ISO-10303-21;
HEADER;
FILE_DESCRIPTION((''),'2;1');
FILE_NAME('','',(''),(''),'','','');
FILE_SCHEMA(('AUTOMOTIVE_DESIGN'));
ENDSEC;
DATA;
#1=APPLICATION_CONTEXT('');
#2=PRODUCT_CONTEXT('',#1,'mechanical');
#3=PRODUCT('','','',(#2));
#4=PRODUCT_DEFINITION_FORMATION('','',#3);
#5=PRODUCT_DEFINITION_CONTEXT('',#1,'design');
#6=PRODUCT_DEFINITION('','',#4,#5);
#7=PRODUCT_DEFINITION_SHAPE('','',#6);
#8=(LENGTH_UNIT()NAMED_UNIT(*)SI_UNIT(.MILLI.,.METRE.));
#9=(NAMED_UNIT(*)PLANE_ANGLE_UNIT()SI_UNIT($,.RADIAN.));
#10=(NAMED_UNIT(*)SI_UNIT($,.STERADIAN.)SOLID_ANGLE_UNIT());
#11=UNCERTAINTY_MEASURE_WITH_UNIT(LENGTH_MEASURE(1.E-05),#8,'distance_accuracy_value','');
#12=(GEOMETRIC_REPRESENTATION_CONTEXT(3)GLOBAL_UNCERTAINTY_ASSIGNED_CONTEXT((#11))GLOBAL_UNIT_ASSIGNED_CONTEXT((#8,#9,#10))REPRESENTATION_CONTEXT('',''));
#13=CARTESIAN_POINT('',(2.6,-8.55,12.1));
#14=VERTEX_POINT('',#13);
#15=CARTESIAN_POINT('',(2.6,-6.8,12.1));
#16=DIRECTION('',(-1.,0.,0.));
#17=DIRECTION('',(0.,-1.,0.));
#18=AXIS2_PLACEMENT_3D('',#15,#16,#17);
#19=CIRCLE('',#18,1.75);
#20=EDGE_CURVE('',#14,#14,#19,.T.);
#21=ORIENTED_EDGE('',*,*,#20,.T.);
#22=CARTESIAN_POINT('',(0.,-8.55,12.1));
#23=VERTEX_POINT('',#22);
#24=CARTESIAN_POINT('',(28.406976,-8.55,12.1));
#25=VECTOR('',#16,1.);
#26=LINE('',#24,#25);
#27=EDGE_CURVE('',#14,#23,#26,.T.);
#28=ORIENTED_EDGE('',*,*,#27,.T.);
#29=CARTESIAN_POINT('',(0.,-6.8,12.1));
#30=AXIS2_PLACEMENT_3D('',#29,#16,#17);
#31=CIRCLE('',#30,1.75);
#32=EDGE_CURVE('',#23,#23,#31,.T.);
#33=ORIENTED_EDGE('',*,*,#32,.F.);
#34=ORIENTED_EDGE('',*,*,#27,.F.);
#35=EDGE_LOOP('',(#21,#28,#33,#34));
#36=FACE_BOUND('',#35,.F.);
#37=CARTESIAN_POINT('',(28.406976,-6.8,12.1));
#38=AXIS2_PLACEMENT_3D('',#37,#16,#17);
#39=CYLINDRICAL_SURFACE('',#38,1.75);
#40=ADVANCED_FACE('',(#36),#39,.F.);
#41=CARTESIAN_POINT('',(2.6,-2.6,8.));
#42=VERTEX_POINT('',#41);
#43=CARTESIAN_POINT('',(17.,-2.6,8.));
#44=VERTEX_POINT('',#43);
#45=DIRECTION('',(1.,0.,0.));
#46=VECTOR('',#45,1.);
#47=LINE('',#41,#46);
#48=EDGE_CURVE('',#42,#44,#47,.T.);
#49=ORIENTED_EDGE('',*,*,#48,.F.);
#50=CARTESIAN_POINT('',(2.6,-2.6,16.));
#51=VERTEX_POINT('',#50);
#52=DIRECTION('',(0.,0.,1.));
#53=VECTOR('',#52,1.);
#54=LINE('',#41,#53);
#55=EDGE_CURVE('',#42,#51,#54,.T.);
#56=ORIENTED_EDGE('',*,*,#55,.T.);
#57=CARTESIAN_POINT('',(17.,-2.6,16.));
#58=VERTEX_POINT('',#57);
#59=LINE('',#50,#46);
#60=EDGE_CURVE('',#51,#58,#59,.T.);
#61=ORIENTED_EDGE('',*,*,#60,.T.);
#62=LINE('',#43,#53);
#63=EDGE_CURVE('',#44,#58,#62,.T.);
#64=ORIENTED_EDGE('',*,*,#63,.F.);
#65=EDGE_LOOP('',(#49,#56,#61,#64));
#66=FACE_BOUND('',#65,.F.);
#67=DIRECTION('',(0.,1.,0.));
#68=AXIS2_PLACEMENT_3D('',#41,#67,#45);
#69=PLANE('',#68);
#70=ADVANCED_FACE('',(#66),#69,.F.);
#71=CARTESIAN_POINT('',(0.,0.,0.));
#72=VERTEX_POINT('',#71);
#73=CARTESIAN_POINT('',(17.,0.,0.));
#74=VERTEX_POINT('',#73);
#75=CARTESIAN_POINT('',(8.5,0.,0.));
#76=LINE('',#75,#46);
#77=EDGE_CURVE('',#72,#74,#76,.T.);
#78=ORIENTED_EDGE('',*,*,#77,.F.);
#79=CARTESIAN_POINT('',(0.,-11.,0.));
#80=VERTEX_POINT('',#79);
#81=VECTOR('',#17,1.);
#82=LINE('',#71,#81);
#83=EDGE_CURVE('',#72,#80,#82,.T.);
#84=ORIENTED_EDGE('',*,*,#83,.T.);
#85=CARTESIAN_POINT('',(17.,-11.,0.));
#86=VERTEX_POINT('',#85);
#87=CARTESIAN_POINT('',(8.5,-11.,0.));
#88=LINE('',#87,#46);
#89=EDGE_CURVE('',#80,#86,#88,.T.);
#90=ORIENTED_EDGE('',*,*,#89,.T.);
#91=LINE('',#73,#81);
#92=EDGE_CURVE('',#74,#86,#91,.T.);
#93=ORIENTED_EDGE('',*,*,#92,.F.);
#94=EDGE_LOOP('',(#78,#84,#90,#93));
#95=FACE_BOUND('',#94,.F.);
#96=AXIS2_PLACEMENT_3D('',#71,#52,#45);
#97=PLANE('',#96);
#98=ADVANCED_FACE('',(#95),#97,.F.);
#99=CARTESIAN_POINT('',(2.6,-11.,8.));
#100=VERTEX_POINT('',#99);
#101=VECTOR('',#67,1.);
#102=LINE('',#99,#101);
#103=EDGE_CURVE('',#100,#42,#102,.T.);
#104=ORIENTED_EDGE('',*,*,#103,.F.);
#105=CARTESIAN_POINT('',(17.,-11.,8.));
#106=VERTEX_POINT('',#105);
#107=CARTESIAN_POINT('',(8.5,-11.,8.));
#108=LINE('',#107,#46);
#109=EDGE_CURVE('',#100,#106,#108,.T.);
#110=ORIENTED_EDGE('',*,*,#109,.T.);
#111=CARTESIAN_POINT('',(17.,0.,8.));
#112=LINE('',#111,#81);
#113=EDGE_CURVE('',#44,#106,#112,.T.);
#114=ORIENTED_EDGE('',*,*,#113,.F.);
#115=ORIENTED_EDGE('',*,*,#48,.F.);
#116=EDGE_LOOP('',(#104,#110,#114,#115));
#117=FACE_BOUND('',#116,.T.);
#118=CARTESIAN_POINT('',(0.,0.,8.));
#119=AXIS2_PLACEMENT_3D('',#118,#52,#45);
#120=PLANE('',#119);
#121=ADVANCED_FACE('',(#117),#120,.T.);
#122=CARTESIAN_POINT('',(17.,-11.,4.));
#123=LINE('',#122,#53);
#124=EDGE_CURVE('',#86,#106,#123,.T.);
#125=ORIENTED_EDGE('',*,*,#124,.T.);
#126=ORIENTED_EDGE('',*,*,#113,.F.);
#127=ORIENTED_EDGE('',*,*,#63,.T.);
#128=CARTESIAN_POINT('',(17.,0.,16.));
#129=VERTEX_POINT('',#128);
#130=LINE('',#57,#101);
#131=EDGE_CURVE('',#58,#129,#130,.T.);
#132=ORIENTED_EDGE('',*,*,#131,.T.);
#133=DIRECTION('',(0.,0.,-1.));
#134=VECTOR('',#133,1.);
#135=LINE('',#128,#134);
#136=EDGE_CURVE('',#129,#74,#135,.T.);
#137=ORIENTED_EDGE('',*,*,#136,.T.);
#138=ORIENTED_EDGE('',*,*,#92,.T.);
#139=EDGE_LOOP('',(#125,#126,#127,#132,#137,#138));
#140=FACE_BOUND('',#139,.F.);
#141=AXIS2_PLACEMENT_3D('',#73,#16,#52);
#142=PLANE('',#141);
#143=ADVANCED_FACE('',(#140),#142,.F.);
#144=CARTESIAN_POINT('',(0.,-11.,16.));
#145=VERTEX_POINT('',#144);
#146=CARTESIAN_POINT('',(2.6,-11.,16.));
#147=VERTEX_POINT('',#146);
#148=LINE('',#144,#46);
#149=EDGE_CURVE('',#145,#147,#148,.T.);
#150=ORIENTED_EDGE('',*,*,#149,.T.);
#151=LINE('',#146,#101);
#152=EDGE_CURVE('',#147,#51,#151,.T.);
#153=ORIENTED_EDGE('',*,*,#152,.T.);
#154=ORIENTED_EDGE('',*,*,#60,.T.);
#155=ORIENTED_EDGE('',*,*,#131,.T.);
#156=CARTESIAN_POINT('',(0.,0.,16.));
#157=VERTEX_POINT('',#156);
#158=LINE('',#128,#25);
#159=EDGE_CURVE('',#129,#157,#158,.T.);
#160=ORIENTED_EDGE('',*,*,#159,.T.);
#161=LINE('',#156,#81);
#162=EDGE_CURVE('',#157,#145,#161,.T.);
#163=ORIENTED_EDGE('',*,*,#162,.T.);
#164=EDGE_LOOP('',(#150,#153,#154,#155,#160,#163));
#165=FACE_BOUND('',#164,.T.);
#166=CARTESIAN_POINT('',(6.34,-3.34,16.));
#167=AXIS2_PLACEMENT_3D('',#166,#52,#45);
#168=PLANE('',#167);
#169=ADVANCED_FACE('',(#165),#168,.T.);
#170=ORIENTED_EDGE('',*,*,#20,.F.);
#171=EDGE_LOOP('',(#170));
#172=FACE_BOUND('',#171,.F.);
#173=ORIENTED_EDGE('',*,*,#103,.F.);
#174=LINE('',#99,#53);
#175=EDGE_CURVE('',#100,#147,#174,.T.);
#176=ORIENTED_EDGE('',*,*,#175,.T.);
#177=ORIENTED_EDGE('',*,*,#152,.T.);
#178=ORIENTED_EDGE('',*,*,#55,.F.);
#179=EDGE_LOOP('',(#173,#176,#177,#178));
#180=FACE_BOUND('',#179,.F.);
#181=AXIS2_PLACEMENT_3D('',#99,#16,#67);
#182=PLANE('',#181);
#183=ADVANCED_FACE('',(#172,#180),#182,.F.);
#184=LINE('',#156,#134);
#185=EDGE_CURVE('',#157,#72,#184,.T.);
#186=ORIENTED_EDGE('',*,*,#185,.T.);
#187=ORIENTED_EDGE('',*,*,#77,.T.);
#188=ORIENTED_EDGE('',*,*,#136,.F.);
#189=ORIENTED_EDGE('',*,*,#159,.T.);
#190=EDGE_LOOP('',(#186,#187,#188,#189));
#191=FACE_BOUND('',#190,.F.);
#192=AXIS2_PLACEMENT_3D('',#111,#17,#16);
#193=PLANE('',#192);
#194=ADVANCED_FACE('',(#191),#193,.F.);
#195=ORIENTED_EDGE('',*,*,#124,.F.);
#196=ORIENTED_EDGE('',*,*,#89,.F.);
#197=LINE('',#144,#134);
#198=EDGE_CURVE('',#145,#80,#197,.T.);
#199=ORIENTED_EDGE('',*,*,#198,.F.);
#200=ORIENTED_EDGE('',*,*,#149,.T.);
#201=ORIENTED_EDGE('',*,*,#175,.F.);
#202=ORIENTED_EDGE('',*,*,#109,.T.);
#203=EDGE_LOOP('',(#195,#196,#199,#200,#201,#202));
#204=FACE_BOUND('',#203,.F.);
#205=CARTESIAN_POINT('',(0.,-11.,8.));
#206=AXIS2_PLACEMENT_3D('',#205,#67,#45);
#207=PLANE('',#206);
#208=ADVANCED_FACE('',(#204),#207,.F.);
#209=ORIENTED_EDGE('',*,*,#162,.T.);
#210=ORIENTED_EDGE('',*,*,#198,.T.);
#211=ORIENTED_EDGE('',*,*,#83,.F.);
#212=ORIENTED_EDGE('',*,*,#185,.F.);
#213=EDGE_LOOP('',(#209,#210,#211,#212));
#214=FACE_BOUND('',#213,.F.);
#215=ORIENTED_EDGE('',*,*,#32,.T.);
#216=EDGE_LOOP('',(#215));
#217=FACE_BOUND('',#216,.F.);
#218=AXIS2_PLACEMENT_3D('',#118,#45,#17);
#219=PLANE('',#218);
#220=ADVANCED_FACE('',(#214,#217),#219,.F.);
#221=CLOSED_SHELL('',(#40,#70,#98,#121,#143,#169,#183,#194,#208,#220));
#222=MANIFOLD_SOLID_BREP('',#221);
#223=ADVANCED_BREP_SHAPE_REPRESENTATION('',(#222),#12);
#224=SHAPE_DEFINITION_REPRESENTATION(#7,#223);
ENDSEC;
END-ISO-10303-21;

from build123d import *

# Parameters (mm, degrees)
F0_W     = 17
F0_H     = 8
F1_DEPTH = 11
F3_DEPTH = 8
F5_D     = 3.5


with BuildPart() as f1:
    # F0 (on Front) → F1 (new body)
    with BuildSketch(Plane.XZ):
        with Locations((8.5, 4)):
            Rectangle(F0_W, F0_H)
    extrude(amount=F1_DEPTH)

    # F2 (on face) → F3 (join)
    with BuildSketch(Plane.XY.offset(8)):
        Polygon((0, -11), (2.6, -11), (2.6, -2.6), (17, -2.6), (17, 0), (0, 0), align=None)
    extrude(amount=F3_DEPTH)

    # F5 (through all)
    with Locations(Plane.YZ.offset(2.6)):
        with Locations((-6.8, 12.1)):
            Hole(F5_D / 2)


solid = f1.part
